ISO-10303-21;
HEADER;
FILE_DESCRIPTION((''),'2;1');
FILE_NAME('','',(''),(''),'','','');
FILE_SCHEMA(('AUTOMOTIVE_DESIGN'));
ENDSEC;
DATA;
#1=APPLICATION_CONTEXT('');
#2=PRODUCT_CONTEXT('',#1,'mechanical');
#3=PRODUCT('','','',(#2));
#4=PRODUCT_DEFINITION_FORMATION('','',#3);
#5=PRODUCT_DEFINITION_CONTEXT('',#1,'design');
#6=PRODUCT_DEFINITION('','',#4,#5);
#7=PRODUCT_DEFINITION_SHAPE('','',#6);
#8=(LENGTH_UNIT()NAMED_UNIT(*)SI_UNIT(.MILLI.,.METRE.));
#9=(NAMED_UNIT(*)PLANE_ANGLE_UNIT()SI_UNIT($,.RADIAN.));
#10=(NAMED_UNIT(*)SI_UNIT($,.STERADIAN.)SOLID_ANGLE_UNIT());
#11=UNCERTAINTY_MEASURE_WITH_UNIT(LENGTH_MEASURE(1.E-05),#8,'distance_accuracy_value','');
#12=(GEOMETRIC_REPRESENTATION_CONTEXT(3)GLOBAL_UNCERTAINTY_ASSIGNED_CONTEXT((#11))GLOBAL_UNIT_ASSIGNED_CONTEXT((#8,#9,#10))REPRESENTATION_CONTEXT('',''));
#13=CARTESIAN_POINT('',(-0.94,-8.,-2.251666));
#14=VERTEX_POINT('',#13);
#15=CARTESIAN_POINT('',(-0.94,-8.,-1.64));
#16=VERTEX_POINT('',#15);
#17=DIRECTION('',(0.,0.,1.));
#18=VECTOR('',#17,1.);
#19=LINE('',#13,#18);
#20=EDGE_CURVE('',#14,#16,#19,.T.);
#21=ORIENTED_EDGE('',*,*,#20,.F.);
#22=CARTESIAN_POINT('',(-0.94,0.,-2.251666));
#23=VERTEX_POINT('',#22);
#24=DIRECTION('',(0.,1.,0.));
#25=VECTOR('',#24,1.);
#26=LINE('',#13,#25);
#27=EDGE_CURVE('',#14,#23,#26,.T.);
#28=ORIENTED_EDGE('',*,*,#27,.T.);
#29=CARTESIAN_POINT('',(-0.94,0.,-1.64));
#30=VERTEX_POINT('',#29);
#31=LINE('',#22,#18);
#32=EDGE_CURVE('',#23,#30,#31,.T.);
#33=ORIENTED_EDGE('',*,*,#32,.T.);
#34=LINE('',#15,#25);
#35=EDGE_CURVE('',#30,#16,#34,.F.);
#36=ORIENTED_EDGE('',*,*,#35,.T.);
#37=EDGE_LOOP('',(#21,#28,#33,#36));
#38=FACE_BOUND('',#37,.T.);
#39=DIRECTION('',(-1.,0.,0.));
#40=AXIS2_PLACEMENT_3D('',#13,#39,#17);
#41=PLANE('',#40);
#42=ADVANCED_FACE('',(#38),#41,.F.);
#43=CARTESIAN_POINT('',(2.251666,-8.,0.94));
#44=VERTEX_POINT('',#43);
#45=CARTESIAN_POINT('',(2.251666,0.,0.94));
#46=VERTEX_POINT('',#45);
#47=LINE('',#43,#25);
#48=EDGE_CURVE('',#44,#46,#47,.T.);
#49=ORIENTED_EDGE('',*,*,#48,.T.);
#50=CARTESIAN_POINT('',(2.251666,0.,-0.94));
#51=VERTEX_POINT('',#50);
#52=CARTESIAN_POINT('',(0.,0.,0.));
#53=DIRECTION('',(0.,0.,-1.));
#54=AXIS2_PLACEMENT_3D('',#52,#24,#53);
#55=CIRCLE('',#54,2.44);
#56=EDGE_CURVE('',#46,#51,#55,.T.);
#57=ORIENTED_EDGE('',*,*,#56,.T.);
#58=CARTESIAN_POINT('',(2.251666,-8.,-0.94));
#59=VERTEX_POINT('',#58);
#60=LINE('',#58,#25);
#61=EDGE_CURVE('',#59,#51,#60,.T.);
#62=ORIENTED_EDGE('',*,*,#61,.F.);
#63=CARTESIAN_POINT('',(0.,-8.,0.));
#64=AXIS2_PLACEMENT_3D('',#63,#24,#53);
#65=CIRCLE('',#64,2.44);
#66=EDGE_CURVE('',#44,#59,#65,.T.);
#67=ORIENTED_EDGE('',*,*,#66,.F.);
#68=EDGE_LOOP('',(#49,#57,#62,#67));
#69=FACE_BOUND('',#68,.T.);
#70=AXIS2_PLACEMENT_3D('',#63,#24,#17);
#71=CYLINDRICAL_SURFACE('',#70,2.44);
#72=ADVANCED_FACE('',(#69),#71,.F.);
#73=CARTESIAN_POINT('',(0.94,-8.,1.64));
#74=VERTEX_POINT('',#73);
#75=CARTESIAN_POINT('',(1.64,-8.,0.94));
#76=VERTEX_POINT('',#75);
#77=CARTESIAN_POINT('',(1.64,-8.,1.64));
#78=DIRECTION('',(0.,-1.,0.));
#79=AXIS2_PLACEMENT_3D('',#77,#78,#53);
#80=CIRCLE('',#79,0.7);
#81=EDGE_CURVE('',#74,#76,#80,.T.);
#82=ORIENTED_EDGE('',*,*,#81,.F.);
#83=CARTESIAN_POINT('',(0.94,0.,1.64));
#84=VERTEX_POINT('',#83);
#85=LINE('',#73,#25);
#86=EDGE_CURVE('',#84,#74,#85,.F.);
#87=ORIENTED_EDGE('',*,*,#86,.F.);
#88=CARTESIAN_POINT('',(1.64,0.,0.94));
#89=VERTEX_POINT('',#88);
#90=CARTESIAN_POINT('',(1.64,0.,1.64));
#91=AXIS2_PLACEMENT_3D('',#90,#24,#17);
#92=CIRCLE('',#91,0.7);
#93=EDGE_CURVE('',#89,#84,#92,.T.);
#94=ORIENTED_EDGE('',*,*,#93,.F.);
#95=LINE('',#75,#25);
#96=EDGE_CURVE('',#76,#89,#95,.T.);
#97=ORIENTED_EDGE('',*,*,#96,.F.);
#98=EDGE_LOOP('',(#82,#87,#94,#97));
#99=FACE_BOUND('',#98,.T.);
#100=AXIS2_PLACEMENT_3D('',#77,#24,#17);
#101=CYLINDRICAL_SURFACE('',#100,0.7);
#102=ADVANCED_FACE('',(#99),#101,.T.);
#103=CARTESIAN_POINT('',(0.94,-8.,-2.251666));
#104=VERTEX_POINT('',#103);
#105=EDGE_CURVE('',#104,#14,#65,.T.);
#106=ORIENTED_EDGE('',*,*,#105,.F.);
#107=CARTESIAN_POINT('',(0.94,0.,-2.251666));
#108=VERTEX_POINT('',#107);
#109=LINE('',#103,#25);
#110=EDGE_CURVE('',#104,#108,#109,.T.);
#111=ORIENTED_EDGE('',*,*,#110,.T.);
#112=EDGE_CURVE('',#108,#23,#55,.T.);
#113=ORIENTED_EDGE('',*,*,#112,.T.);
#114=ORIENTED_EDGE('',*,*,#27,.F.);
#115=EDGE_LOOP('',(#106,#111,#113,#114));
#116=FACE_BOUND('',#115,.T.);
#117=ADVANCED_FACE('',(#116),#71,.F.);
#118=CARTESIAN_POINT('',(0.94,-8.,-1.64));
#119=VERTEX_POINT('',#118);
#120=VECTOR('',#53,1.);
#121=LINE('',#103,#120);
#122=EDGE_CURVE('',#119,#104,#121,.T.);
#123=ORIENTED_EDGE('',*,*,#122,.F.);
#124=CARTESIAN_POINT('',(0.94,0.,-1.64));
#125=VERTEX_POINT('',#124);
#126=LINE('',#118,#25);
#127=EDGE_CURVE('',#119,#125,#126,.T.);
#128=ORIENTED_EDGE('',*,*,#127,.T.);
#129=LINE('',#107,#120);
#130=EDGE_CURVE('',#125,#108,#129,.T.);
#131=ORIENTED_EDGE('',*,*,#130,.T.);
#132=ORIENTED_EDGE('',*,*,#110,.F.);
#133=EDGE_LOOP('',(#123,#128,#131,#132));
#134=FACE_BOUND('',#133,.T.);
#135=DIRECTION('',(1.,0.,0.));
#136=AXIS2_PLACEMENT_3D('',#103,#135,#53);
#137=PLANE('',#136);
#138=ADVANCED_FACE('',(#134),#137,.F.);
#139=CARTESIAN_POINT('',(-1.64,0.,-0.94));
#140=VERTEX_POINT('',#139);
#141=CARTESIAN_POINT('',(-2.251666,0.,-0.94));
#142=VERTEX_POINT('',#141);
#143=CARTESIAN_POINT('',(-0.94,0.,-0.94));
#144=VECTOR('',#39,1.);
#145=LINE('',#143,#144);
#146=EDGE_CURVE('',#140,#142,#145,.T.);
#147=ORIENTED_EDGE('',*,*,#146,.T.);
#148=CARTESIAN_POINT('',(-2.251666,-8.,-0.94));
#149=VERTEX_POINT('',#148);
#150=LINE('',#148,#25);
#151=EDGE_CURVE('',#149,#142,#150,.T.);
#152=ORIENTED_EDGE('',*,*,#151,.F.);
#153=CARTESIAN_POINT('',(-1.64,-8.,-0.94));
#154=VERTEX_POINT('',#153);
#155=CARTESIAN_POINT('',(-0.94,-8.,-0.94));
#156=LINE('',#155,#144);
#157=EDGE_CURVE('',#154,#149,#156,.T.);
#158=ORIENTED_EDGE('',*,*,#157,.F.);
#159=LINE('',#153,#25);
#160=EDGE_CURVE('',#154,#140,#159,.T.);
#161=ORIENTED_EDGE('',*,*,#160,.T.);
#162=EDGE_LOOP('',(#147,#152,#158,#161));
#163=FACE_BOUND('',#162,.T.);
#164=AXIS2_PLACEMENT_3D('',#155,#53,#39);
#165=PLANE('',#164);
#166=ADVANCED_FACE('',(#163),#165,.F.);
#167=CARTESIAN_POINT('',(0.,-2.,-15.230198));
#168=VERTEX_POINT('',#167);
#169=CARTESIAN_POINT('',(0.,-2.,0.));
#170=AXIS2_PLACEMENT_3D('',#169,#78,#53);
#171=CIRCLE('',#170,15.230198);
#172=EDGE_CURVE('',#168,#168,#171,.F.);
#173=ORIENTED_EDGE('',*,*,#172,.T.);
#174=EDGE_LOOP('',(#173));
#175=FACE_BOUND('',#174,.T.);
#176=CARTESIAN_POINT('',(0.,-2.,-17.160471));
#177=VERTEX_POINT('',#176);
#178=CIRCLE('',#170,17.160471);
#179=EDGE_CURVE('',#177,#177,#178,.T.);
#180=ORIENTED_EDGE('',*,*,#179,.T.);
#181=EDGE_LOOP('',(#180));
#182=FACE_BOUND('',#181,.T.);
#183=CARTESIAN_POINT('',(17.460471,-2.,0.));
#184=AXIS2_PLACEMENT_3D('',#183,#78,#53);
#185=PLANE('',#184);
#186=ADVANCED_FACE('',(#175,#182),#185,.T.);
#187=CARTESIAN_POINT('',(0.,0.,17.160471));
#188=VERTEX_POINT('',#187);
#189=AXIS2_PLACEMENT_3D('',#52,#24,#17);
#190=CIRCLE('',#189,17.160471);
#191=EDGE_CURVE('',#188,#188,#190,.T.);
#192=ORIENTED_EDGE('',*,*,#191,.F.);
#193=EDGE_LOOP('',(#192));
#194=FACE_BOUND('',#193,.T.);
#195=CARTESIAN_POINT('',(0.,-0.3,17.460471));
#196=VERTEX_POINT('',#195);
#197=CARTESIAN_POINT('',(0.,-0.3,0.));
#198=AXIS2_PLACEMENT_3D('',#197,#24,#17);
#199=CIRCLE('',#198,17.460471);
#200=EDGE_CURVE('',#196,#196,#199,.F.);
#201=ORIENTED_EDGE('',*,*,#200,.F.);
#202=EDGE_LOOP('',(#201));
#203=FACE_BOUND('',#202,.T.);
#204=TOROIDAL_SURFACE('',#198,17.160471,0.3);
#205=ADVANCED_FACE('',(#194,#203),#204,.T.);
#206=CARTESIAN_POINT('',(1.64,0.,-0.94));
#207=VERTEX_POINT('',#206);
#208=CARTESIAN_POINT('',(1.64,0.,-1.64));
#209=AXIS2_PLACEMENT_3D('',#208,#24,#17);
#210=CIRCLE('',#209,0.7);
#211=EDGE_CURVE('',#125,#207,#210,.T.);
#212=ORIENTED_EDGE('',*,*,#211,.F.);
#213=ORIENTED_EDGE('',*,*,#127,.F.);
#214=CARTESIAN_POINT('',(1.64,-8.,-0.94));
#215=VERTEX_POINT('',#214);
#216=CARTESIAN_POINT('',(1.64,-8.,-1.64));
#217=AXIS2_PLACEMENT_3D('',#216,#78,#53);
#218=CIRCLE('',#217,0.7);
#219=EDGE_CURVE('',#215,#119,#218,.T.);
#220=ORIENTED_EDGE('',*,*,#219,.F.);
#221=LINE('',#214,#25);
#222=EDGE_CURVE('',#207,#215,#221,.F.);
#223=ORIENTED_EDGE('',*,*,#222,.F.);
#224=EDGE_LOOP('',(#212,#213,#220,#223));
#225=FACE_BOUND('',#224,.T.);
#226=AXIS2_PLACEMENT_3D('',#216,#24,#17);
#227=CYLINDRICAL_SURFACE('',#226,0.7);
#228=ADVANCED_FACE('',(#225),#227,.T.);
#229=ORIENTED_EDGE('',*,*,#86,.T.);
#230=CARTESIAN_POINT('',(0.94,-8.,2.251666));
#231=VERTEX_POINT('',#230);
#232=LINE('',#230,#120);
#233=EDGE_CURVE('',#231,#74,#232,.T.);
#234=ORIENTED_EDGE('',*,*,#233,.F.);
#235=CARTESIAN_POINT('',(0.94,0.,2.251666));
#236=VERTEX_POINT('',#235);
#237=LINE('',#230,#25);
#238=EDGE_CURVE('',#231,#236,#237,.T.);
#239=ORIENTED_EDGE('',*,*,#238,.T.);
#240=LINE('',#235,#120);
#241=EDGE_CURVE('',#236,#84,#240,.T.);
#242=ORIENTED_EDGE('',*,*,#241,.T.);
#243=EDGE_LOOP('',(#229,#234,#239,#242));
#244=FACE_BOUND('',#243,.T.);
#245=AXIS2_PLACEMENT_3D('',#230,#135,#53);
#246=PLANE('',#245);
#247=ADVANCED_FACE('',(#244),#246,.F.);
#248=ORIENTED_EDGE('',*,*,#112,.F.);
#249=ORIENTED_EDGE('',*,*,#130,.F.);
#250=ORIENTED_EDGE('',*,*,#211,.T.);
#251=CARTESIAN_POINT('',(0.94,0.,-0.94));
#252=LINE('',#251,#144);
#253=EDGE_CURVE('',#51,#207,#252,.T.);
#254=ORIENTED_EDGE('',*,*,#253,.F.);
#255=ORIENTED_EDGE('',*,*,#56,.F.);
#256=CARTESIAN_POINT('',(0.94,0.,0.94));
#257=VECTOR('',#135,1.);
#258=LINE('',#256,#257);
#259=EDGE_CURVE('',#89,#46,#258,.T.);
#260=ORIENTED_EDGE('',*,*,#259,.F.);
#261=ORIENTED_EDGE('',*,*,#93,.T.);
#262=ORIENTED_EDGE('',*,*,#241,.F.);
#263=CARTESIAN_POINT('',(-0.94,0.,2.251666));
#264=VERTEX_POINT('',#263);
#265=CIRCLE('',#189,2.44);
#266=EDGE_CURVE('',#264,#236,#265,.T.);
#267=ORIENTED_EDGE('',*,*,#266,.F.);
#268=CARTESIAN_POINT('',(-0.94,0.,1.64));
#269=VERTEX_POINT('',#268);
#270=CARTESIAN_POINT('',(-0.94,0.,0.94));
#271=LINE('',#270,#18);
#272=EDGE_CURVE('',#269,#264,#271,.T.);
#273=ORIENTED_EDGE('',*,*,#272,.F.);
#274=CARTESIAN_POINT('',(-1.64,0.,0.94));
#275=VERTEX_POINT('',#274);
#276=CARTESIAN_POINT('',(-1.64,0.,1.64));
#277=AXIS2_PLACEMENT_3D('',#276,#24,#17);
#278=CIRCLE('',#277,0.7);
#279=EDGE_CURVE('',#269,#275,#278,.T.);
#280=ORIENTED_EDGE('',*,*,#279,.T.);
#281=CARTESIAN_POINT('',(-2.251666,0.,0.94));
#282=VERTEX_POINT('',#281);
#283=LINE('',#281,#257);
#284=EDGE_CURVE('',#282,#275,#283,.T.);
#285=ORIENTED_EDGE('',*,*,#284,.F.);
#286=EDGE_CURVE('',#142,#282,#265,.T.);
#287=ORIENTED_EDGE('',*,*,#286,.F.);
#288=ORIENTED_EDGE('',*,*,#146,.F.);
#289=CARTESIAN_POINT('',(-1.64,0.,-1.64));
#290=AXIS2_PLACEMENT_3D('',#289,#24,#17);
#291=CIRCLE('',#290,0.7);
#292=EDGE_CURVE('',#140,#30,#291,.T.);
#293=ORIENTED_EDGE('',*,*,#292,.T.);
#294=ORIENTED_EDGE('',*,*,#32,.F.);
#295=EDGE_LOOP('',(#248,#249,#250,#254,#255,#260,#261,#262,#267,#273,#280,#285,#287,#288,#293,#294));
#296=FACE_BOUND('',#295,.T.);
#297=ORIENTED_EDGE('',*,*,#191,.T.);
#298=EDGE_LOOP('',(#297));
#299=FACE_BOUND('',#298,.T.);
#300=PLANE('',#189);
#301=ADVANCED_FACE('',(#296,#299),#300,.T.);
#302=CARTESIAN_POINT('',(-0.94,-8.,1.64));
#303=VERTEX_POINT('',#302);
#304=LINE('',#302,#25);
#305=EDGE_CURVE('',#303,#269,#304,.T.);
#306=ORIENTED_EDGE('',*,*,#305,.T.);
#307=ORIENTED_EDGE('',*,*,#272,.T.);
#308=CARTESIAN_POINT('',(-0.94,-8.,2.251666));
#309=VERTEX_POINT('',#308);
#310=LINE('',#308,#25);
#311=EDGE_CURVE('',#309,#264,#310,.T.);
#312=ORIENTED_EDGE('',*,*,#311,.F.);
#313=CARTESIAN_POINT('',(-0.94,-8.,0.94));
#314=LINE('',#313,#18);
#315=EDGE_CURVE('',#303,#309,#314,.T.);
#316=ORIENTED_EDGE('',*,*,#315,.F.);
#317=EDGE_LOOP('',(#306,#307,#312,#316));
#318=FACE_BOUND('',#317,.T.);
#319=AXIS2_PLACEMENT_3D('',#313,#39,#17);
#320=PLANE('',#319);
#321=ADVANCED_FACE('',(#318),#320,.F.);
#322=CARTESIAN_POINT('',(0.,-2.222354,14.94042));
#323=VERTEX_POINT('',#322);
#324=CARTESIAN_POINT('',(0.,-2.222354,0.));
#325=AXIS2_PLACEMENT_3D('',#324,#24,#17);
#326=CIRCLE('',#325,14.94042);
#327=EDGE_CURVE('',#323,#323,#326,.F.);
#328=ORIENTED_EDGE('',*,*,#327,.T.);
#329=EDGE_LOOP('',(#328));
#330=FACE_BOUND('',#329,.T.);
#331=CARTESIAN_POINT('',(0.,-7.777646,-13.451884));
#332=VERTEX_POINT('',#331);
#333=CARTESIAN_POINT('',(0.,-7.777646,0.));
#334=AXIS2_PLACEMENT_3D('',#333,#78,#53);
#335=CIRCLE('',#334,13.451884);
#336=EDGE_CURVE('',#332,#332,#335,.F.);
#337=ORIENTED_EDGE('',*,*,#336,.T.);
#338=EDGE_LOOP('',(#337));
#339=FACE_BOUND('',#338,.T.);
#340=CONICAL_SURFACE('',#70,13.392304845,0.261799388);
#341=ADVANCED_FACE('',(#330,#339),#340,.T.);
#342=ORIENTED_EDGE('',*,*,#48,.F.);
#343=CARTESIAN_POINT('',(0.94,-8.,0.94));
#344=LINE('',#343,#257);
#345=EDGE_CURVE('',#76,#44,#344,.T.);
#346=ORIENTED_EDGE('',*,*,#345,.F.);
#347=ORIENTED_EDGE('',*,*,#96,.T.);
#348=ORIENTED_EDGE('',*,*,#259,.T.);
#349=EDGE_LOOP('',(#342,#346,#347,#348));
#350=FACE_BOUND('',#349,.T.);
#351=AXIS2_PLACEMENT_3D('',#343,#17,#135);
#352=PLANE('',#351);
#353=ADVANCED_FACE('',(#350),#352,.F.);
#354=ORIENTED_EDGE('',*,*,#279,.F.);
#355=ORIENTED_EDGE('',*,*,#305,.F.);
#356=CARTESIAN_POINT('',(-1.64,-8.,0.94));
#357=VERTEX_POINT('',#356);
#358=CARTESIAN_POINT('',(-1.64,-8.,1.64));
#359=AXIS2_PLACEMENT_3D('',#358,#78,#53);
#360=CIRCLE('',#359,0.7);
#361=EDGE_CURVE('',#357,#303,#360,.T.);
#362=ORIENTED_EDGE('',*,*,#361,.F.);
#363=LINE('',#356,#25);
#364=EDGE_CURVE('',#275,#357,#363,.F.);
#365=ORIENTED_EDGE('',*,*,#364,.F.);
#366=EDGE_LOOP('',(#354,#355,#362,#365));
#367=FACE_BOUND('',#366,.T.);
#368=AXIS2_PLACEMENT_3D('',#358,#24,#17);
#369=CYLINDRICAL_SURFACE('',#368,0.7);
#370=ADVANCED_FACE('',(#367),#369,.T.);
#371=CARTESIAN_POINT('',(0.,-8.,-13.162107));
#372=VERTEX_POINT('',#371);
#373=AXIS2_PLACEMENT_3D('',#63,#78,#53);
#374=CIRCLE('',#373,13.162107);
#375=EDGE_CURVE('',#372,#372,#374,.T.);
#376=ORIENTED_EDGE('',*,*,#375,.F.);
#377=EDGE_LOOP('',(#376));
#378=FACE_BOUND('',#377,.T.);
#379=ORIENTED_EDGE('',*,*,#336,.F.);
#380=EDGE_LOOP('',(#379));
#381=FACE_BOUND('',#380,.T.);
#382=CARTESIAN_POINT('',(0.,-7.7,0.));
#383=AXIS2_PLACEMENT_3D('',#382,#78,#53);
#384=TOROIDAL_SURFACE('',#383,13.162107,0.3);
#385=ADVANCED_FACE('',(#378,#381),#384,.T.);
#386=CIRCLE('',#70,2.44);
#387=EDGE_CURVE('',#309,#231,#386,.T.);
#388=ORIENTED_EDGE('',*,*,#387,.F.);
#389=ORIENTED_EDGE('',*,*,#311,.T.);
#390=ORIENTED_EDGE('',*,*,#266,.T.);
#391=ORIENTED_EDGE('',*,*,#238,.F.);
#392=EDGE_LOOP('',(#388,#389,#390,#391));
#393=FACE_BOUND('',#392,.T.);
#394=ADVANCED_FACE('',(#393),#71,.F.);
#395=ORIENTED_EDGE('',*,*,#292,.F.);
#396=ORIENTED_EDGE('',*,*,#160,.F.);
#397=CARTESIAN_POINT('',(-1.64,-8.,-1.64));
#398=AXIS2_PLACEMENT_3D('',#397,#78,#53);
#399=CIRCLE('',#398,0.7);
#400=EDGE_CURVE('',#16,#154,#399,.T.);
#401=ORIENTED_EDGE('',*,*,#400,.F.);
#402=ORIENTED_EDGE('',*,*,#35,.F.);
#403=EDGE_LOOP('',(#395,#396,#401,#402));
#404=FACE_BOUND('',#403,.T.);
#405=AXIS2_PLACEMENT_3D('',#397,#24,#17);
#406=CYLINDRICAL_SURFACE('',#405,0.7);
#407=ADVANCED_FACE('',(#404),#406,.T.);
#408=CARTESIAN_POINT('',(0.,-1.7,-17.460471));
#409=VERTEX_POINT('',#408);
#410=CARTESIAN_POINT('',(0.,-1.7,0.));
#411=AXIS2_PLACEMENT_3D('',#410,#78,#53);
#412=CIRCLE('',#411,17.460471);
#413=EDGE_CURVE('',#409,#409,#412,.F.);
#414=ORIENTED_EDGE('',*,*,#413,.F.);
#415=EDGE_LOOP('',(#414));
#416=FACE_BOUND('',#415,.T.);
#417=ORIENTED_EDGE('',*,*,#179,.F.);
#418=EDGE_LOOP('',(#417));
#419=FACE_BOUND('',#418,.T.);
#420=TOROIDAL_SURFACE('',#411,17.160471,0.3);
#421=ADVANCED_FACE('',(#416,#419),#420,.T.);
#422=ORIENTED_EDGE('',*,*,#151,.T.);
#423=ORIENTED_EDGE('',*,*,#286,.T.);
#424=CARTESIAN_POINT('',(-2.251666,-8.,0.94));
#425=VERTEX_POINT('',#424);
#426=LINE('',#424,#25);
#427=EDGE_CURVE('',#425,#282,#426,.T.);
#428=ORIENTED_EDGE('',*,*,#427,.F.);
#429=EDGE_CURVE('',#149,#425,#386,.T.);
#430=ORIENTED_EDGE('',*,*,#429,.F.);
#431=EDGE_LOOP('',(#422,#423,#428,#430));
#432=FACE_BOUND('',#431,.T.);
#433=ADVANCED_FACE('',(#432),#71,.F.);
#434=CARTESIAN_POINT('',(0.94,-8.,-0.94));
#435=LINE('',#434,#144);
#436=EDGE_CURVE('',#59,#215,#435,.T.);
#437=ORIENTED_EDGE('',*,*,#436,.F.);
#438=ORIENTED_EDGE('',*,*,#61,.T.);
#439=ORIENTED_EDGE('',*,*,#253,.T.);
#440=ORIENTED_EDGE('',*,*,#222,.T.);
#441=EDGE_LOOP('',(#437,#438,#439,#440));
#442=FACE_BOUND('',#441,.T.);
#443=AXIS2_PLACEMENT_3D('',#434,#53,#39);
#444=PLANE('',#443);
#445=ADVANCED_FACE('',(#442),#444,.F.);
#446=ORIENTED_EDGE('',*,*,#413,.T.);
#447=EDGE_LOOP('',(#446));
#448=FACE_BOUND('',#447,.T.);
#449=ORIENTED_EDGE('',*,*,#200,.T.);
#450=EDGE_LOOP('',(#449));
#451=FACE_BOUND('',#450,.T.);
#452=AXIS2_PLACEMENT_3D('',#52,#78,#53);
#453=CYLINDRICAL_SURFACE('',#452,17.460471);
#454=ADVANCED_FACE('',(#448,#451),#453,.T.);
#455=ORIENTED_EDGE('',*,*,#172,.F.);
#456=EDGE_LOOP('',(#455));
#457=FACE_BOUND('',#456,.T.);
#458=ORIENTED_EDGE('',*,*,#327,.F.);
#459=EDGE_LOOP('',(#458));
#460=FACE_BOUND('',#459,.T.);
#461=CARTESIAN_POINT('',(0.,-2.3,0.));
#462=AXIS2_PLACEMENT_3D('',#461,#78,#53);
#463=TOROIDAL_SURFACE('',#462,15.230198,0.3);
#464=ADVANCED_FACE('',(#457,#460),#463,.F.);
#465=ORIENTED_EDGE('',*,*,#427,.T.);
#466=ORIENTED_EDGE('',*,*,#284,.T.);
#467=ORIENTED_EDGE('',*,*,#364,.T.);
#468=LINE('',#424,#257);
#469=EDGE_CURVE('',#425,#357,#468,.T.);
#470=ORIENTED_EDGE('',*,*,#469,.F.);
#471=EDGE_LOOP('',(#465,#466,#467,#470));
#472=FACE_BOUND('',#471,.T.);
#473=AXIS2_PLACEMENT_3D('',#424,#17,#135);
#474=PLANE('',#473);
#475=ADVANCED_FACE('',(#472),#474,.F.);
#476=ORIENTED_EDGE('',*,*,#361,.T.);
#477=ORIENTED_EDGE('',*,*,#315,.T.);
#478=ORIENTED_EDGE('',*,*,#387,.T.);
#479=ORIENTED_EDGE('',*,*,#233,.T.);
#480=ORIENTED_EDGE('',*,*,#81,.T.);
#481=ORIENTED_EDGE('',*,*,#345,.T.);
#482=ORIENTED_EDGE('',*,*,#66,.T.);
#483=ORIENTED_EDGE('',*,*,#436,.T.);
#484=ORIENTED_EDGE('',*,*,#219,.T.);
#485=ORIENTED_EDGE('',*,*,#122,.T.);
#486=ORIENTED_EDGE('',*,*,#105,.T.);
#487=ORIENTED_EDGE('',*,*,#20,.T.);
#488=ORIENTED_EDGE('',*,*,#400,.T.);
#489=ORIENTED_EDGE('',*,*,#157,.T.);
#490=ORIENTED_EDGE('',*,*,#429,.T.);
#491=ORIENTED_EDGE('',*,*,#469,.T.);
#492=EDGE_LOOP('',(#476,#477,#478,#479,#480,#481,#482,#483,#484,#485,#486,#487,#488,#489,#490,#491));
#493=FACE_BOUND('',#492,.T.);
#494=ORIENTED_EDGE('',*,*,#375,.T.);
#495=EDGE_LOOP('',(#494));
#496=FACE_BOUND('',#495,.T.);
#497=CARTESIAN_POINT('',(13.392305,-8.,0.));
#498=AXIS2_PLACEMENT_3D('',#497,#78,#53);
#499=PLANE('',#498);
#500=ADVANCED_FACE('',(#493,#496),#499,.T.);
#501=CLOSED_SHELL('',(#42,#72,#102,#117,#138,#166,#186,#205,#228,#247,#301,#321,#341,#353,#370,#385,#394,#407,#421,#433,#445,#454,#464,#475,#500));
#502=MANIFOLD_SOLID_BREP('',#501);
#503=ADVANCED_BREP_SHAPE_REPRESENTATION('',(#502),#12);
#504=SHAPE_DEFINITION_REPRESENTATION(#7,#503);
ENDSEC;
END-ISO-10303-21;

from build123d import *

# Parameters (mm, degrees)
CUT_EXTRUDE1_DEPTH = 26.956426849
FILLET1_R          = 0.7
FILLET2_R          = 0.3


with BuildPart() as part:
    # Sketch2 → Revolve1 (revolve)
    with BuildSketch(Plane.XY, mode=Mode.PRIVATE) as revolve1_sk:
        Polygon((0, 0), (17.460470996, 0), (17.460470996, -2), (15, -2), (13.392304845, -8), (0, -8), align=None)
    revolve(revolve1_sk.sketch.rotate(Axis((0, 0, 0), (0, 1, 0)), 90), axis=Axis((0, 0, 0), (0, 1, 0)))

    # Sketch1 → Cut-Extrude1 (cut, through all)
    with BuildSketch(Plane(origin=(0, 0, 0), x_dir=(1, 0, 0), z_dir=(0, 1, 0))):
        with BuildLine():
            Line((-0.94, 0.94), (-2.25166605, 0.94))
            ThreePointArc((-2.25166605, 0.94), (-2.44, 0), (-2.25166605, -0.94))
            Line((-2.25166605, -0.94), (-0.94, -0.94))
            Line((-0.94, -0.94), (-0.94, -2.25166605))
            ThreePointArc((-0.94, -2.25166605), (0, -2.44), (0.94, -2.25166605))
            Line((0.94, -2.25166605), (0.94, -0.94))
            Line((0.94, -0.94), (2.25166605, -0.94))
            ThreePointArc((2.25166605, -0.94), (2.44, 0), (2.25166605, 0.94))
            Line((2.25166605, 0.94), (0.94, 0.94))
            Line((0.94, 0.94), (0.94, 2.25166605))
            ThreePointArc((0.94, 2.25166605), (0, 2.44), (-0.94, 2.25166605))
            Line((-0.94, 2.25166605), (-0.94, 0.94))
        make_face()
    extrude(amount=-CUT_EXTRUDE1_DEPTH, mode=Mode.SUBTRACT)

    # Fillet1
    fillet1_edges = [part.edges().sort_by_distance(p)[0] for p in [
        (-0.94, -4, -0.94),
        (0.94, -4, -0.94),
        (0.94, -4, 0.94),
        (-0.94, -4, 0.94),
    ]]
    fillet(fillet1_edges, radius=FILLET1_R)

    # Fillet2
    fillet2_edges = [part.edges().sort_by_distance(p)[0] for p in [
        (0, -8, 13.392304845),
        (0, -2, 15),
        (0, -2, 17.460470996),
        (0, 0, 17.460470996),
    ]]
    fillet(fillet2_edges, radius=FILLET2_R)


solid = part.part
